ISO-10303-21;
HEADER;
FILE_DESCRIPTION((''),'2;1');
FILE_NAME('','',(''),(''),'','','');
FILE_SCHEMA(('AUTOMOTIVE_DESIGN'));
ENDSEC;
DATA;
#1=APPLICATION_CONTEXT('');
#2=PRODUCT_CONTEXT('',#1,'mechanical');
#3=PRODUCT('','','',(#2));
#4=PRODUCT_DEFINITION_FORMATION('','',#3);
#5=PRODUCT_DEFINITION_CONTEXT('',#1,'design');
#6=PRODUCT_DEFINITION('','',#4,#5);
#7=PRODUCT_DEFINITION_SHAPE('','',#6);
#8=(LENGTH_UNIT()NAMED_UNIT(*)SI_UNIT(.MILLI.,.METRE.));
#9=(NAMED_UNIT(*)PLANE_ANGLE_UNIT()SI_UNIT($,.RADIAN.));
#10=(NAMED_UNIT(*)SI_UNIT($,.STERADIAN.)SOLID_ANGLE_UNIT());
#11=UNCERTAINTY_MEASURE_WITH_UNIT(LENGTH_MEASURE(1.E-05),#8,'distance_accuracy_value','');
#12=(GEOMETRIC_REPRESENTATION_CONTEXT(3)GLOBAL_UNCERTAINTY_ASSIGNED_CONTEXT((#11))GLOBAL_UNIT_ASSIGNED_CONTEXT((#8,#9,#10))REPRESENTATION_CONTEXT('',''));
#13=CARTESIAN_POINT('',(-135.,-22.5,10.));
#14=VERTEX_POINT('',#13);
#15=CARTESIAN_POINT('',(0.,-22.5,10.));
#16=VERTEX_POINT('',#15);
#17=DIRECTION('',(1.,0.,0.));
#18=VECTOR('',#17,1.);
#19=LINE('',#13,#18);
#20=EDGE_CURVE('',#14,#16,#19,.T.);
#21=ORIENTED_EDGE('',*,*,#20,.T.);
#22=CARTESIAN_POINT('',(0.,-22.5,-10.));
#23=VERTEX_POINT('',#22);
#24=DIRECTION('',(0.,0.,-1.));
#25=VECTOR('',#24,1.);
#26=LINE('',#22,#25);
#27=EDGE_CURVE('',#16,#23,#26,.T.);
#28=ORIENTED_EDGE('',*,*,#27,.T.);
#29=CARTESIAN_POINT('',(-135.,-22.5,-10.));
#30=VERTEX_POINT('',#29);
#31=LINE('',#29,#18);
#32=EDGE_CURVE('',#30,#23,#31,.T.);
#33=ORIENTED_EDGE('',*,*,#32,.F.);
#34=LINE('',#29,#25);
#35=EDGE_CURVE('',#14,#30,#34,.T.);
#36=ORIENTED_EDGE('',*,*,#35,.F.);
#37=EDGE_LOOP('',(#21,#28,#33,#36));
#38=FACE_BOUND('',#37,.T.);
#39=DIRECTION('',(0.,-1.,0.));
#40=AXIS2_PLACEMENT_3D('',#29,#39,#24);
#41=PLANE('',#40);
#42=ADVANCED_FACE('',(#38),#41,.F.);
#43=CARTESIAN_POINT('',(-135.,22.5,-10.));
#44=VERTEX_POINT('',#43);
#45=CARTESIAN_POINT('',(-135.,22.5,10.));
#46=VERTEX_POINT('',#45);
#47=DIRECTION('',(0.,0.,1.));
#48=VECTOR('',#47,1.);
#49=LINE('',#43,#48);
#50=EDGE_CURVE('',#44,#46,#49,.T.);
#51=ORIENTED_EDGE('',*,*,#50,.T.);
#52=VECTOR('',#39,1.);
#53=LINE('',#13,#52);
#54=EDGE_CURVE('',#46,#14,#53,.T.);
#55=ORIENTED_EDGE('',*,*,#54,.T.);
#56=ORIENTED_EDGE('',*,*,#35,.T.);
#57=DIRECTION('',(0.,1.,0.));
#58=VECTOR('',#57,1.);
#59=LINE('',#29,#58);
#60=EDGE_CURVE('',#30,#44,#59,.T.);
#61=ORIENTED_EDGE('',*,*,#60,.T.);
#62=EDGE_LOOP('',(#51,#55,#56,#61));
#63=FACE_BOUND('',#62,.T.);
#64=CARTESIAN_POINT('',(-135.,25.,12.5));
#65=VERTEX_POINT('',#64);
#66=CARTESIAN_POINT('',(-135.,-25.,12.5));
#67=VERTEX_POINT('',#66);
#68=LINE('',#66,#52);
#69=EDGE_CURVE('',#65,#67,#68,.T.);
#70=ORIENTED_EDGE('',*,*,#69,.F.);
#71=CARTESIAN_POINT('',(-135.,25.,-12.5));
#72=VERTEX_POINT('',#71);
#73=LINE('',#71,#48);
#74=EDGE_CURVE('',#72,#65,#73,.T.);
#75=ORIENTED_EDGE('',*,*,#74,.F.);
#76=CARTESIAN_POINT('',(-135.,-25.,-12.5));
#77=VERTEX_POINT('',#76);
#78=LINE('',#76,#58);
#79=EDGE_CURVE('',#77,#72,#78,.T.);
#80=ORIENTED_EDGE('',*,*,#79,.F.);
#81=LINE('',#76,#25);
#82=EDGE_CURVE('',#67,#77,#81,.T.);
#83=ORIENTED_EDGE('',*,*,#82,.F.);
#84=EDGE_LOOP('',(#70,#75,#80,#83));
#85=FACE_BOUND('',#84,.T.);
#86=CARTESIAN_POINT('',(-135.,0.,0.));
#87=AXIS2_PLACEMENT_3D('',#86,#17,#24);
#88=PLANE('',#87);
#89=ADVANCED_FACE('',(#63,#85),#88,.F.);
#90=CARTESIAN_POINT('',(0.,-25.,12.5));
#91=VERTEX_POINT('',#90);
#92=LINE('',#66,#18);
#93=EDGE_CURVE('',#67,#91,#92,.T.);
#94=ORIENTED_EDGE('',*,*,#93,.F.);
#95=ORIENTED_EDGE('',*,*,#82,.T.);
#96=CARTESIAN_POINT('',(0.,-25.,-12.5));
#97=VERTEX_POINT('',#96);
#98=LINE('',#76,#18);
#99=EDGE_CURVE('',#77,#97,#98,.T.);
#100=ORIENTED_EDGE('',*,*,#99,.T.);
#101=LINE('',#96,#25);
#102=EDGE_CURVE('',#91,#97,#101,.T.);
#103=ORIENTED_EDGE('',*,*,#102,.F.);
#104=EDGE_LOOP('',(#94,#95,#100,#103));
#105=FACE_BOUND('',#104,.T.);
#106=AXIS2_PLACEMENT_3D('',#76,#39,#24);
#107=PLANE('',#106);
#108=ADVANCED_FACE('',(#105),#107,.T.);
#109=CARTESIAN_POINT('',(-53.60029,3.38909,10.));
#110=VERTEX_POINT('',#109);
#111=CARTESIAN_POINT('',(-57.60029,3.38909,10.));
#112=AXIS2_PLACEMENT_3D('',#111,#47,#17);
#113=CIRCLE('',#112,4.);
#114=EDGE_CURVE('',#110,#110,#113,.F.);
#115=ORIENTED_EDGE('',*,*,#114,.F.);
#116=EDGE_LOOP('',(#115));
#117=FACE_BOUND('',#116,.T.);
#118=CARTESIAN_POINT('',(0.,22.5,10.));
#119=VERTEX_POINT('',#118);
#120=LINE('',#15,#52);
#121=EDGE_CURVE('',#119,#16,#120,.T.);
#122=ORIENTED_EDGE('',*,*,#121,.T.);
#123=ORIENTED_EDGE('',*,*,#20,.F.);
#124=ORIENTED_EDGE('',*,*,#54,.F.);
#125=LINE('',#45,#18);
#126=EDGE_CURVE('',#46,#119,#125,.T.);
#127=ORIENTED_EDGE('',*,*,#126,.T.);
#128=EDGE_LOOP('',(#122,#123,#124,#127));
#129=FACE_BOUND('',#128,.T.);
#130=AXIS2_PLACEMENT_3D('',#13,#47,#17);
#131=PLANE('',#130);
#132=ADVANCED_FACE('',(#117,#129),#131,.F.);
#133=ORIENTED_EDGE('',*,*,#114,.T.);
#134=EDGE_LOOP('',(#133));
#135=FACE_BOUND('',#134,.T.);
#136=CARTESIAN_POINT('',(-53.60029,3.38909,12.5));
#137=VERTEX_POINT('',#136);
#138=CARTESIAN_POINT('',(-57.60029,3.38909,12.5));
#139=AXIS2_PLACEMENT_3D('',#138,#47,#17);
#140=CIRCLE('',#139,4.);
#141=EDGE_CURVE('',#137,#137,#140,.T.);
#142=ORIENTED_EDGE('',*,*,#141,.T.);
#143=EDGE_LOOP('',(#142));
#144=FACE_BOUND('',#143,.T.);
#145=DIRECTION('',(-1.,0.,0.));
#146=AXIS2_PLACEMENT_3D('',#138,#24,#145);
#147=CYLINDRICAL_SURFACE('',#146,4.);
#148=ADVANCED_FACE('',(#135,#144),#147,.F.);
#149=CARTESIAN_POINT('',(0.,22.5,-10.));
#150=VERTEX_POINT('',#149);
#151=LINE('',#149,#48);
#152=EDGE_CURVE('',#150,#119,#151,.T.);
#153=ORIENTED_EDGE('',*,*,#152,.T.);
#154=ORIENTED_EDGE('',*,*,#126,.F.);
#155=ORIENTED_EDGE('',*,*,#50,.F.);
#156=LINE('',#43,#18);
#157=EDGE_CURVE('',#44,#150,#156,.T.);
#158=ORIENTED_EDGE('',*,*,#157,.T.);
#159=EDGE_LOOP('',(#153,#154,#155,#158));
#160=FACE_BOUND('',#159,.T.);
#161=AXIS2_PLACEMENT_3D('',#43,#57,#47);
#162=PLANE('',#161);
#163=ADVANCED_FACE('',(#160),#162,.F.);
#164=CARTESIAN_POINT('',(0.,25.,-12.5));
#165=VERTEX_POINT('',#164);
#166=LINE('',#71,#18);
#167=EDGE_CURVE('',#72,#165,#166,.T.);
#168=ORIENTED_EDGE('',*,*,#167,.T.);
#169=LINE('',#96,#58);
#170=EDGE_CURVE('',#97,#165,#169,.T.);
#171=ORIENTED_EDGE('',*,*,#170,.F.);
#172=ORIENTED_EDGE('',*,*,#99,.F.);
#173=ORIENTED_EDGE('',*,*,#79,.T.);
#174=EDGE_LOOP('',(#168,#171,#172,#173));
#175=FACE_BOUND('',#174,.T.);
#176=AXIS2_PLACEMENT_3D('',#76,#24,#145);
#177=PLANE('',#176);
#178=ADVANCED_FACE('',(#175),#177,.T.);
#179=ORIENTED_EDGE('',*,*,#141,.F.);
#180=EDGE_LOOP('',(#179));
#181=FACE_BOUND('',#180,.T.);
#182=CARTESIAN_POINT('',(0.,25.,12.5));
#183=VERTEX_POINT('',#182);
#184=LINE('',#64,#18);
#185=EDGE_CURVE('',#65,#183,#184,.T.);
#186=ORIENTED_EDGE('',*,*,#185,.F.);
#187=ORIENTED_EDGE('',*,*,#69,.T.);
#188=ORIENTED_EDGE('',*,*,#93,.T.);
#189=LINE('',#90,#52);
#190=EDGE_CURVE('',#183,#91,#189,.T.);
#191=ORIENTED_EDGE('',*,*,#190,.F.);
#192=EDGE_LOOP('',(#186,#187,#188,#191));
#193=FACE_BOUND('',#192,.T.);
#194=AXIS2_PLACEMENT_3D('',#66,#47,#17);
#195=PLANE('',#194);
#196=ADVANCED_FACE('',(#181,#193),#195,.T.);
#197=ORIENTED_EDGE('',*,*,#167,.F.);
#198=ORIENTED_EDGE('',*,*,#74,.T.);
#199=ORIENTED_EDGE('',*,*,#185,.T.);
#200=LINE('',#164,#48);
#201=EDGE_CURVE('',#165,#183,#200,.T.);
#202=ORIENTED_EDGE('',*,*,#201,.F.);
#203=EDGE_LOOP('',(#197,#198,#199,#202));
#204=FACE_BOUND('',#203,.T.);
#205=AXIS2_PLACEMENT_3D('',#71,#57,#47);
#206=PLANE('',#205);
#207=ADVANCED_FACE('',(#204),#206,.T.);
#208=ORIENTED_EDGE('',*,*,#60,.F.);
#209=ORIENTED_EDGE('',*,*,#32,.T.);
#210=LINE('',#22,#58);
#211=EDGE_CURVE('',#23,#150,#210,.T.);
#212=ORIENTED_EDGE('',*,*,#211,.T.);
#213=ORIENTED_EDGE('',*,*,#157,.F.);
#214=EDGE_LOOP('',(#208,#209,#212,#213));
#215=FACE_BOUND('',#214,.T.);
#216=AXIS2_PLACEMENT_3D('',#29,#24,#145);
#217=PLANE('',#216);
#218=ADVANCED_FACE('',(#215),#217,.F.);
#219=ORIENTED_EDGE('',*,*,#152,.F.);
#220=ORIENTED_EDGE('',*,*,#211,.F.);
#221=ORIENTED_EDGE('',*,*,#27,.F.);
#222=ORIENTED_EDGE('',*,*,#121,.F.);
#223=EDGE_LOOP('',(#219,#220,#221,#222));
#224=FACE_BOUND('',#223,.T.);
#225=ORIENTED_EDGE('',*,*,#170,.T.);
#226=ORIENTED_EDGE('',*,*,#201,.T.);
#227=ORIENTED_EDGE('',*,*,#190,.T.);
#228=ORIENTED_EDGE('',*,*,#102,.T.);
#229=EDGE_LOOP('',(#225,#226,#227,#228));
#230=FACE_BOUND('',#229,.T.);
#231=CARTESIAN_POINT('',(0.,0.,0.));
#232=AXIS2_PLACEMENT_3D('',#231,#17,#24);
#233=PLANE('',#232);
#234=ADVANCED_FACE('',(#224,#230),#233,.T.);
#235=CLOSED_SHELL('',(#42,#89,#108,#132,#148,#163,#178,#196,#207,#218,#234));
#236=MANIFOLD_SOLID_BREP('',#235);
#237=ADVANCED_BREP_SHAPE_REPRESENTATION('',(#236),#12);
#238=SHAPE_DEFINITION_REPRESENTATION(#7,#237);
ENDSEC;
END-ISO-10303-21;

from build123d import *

# Parameters (mm, degrees)
SKETCH5_W           = 25
SKETCH5_H           = 50
BOSS_EXTRUDE2_DEPTH = 135
SKETCH6_W           = 20
SKETCH6_H           = 45
CUT_EXTRUDE1_DEPTH  = 135
SKETCH7_R           = 4
CUT_EXTRUDE4_DEPTH  = 13.5


with BuildPart() as part:
    # Sketch5 → Boss-Extrude2 (new body)
    with BuildSketch(Plane(origin=(0, 0, 0), x_dir=(0, 0, -1), z_dir=(1, 0, 0))):
        Rectangle(SKETCH5_W, SKETCH5_H)
    extrude(amount=-BOSS_EXTRUDE2_DEPTH)

    # Sketch6 → Cut-Extrude1 (cut)
    with BuildSketch(Plane(origin=(0, 0, 0), x_dir=(0, 0, -1), z_dir=(1, 0, 0))):
        Rectangle(SKETCH6_W, SKETCH6_H)
    extrude(amount=-CUT_EXTRUDE1_DEPTH, mode=Mode.SUBTRACT)

    # Sketch7 → Cut-Extrude4 (cut, through all)
    with BuildSketch(Plane.XY):
        with Locations((-57.600290454, 3.389089755)):
            Circle(SKETCH7_R)
    extrude(amount=CUT_EXTRUDE4_DEPTH, mode=Mode.SUBTRACT)


solid = part.part
